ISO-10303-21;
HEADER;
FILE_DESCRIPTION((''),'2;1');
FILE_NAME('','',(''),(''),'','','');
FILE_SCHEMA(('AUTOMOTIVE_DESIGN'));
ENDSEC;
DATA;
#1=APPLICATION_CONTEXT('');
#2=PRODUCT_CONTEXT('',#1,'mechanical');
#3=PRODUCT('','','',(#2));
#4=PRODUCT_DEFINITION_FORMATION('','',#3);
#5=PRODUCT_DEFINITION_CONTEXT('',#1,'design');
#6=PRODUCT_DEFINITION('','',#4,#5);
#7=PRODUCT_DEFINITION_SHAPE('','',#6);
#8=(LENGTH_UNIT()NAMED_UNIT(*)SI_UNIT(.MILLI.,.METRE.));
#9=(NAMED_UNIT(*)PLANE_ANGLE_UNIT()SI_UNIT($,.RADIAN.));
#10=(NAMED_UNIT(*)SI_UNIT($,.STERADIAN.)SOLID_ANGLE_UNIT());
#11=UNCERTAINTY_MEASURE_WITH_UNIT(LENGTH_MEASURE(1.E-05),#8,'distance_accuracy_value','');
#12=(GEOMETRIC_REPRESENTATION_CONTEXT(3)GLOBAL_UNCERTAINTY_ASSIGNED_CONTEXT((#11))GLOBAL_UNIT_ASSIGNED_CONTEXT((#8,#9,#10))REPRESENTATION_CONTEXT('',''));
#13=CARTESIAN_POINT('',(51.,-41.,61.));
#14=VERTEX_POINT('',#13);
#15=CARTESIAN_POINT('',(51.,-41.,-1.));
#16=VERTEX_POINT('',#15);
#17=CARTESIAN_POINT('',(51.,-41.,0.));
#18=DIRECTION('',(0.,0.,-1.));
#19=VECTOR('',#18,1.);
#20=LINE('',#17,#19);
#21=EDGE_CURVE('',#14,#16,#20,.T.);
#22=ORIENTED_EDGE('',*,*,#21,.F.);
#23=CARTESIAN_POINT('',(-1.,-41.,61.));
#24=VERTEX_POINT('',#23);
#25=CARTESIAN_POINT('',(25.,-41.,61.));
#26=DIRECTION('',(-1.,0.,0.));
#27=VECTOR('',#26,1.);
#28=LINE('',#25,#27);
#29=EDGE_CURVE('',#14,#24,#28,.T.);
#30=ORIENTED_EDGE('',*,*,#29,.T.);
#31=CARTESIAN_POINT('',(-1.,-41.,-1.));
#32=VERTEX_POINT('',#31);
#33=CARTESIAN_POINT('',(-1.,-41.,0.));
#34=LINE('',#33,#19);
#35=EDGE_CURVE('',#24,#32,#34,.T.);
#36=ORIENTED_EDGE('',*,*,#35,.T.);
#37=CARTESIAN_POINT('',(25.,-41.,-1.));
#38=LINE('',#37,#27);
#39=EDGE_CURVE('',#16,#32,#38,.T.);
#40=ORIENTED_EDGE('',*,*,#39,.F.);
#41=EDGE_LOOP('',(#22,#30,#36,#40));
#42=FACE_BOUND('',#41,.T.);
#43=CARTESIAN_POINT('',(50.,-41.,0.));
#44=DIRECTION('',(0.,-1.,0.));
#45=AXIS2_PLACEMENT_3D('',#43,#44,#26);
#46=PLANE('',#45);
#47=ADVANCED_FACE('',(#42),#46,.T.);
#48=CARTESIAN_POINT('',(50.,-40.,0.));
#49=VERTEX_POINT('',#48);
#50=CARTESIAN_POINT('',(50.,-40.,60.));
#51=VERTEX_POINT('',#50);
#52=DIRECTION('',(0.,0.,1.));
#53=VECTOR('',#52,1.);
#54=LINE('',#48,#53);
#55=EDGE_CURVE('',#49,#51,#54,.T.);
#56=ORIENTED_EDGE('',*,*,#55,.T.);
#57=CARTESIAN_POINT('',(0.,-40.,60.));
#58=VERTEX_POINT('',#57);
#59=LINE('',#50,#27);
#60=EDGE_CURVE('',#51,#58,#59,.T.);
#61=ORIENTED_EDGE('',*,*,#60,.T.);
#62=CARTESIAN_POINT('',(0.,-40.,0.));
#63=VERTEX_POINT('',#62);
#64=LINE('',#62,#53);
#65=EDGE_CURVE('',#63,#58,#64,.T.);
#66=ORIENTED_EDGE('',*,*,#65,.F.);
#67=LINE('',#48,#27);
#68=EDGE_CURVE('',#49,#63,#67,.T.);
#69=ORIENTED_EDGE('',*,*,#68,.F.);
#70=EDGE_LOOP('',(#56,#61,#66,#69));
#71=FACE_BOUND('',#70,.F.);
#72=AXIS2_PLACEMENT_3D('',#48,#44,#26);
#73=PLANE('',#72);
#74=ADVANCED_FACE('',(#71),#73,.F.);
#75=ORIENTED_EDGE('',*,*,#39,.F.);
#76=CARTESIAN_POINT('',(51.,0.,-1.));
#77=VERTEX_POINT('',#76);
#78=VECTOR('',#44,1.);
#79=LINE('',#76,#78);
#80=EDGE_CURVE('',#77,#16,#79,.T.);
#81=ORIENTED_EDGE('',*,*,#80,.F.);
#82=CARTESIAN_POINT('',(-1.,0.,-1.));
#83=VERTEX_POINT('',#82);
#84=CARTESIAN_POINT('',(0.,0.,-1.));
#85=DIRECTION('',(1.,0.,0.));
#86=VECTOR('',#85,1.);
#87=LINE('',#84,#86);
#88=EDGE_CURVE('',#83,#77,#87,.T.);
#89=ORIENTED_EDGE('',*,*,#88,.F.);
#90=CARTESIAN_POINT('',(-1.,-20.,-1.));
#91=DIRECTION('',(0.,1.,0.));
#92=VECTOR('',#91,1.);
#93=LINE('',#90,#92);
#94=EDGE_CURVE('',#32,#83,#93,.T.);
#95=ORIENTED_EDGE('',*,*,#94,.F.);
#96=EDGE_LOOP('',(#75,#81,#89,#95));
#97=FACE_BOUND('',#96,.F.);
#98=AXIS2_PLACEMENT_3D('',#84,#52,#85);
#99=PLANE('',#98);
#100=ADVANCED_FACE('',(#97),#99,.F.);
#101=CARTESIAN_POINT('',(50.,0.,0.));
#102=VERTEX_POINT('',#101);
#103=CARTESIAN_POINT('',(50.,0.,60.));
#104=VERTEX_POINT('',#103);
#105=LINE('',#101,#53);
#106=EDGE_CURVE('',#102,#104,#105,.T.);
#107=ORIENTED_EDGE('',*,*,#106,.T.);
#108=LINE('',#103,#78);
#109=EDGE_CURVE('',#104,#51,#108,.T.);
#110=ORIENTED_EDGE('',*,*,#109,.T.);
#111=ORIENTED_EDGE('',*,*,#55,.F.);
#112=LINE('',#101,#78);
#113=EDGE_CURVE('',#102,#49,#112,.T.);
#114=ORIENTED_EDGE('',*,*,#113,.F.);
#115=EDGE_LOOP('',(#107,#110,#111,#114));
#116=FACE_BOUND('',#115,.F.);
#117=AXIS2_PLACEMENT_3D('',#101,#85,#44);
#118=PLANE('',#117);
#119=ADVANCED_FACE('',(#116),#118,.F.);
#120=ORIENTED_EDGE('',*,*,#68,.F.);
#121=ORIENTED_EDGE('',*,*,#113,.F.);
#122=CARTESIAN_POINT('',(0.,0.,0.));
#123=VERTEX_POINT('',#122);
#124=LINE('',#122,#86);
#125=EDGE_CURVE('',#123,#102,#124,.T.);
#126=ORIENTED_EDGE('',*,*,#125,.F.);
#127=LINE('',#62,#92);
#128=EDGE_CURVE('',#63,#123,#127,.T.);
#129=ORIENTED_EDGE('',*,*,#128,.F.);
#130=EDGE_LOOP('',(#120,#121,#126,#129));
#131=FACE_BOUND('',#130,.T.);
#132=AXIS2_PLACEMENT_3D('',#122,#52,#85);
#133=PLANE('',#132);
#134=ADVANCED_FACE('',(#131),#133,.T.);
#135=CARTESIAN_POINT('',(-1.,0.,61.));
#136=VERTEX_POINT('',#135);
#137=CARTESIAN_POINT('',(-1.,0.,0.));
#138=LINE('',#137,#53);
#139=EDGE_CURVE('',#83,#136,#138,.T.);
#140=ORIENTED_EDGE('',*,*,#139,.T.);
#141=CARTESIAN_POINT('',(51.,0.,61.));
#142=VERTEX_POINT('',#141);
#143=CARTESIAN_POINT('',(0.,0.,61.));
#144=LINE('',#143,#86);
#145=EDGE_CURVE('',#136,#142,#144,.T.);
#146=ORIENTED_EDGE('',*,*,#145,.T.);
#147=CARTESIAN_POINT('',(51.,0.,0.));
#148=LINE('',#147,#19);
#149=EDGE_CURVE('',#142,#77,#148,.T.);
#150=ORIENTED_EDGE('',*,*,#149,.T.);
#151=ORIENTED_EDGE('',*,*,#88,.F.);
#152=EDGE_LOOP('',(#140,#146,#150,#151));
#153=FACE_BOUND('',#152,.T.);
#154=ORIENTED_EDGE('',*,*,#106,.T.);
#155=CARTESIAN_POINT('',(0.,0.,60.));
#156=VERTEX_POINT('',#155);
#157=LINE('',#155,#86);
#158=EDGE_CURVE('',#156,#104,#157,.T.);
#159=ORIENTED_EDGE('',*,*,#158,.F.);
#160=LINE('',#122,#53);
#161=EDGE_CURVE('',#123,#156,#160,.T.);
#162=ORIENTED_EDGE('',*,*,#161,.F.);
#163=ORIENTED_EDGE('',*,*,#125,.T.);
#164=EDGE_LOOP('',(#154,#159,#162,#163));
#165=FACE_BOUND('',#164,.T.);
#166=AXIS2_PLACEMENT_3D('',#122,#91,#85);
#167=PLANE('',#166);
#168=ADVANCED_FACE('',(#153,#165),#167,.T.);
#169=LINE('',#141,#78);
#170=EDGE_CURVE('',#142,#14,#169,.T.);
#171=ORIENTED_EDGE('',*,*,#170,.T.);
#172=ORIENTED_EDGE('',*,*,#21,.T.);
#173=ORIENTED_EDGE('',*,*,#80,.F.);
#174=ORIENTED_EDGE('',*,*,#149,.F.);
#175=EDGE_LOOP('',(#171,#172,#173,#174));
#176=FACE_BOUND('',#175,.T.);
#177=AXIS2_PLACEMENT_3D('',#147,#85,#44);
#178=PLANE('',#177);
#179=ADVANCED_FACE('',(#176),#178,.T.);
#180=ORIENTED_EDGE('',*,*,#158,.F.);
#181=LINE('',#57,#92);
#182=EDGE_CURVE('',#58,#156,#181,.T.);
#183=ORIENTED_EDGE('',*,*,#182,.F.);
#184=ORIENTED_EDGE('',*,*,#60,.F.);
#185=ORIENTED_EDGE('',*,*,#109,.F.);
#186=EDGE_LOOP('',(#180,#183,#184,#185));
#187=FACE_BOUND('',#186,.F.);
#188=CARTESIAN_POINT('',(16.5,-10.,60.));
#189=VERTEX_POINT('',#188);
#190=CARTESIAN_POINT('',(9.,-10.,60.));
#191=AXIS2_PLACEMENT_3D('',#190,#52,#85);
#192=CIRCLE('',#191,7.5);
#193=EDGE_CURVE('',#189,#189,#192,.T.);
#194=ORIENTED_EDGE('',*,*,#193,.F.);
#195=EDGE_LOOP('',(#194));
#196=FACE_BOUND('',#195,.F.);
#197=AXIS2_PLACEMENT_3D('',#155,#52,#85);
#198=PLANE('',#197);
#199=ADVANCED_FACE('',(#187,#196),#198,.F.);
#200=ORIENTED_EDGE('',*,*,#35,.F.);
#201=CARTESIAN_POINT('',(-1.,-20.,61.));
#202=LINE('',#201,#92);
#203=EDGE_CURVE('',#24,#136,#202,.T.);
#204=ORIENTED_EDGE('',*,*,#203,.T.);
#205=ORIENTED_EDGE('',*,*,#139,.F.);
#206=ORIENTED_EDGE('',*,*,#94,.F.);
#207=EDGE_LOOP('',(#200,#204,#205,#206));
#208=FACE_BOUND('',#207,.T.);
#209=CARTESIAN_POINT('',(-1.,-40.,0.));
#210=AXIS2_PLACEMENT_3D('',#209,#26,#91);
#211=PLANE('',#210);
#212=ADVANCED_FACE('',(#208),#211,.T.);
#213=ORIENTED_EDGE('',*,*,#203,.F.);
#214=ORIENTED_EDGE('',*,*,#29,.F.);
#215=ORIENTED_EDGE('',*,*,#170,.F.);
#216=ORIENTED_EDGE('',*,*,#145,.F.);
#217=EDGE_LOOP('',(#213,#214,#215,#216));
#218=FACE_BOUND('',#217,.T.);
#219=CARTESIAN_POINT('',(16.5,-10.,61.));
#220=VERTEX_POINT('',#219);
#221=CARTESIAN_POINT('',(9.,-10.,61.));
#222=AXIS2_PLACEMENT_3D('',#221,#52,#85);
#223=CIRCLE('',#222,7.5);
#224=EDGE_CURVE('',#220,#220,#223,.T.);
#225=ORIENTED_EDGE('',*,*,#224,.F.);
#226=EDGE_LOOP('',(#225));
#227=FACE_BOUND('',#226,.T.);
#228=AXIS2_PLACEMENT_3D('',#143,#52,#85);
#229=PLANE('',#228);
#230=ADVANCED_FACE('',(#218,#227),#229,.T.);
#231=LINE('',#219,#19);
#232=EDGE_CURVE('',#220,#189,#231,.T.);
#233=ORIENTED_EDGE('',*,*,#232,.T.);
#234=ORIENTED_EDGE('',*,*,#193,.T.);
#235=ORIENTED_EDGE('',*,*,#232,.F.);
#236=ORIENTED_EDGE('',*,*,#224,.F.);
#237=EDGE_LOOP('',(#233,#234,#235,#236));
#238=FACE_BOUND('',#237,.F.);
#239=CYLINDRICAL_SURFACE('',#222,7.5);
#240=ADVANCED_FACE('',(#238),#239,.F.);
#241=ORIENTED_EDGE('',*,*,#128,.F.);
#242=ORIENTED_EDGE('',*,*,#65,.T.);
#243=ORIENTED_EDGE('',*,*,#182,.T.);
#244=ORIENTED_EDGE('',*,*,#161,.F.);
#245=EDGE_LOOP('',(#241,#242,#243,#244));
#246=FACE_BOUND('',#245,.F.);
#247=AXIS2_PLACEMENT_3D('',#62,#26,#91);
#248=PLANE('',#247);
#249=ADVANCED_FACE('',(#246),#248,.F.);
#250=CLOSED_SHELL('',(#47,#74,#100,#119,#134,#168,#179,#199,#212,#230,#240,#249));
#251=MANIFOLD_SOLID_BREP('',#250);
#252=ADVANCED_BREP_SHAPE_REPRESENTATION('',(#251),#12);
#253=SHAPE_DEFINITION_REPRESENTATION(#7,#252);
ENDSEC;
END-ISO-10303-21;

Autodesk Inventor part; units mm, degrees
ref_plane "YZ Plane" through (0, 0, 0) normal (1, 0, 0) x (0, 1, 0)
ref_plane "XZ Plane" through (0, 0, 0) normal (0, 1, 0) x (-1, 0, 0)
ref_plane "XY Plane" through (0, 0, 0) normal (0, 0, 1) x (1, 0, 0)
sketch "Sketch1" plane through (0, 0, 0) normal (0, 0, 1) x (1, 0, 0)
  line L0 (0, 0) -> (50, 0)
  line L1 (50, 0) -> (50, -40)
  line L2 (50, -40) -> (0, -40)
  line L3 (0, -40) -> (0, 0)
  dimension "d0" = 50
  dimension "d1" = 40
extrude "Extrusion1" add sketch "Sketch1" along normal blind 60
shell "Shell1" thickness 1 outward yes removed faces 1 at (33.3333, 0, 20)
sketch "Sketch2" plane through (0, 0, 61) normal (0, 0, 1) x (1, 0, 0)
  circle A0 centre (9, -10) radius 7.5
  line L0 (51, 0) -> (-1, 0) projected
  line L1 (-1, 0) -> (-1, -41) projected
  point P0 (0, 0)
  dimension "d5" = 10
  dimension "d6" = 10
  dimension "d7" = 15
extrude "Extrusion2" cut sketch "Sketch2" against normal blind 60
properties part number "Part4 zaid"
